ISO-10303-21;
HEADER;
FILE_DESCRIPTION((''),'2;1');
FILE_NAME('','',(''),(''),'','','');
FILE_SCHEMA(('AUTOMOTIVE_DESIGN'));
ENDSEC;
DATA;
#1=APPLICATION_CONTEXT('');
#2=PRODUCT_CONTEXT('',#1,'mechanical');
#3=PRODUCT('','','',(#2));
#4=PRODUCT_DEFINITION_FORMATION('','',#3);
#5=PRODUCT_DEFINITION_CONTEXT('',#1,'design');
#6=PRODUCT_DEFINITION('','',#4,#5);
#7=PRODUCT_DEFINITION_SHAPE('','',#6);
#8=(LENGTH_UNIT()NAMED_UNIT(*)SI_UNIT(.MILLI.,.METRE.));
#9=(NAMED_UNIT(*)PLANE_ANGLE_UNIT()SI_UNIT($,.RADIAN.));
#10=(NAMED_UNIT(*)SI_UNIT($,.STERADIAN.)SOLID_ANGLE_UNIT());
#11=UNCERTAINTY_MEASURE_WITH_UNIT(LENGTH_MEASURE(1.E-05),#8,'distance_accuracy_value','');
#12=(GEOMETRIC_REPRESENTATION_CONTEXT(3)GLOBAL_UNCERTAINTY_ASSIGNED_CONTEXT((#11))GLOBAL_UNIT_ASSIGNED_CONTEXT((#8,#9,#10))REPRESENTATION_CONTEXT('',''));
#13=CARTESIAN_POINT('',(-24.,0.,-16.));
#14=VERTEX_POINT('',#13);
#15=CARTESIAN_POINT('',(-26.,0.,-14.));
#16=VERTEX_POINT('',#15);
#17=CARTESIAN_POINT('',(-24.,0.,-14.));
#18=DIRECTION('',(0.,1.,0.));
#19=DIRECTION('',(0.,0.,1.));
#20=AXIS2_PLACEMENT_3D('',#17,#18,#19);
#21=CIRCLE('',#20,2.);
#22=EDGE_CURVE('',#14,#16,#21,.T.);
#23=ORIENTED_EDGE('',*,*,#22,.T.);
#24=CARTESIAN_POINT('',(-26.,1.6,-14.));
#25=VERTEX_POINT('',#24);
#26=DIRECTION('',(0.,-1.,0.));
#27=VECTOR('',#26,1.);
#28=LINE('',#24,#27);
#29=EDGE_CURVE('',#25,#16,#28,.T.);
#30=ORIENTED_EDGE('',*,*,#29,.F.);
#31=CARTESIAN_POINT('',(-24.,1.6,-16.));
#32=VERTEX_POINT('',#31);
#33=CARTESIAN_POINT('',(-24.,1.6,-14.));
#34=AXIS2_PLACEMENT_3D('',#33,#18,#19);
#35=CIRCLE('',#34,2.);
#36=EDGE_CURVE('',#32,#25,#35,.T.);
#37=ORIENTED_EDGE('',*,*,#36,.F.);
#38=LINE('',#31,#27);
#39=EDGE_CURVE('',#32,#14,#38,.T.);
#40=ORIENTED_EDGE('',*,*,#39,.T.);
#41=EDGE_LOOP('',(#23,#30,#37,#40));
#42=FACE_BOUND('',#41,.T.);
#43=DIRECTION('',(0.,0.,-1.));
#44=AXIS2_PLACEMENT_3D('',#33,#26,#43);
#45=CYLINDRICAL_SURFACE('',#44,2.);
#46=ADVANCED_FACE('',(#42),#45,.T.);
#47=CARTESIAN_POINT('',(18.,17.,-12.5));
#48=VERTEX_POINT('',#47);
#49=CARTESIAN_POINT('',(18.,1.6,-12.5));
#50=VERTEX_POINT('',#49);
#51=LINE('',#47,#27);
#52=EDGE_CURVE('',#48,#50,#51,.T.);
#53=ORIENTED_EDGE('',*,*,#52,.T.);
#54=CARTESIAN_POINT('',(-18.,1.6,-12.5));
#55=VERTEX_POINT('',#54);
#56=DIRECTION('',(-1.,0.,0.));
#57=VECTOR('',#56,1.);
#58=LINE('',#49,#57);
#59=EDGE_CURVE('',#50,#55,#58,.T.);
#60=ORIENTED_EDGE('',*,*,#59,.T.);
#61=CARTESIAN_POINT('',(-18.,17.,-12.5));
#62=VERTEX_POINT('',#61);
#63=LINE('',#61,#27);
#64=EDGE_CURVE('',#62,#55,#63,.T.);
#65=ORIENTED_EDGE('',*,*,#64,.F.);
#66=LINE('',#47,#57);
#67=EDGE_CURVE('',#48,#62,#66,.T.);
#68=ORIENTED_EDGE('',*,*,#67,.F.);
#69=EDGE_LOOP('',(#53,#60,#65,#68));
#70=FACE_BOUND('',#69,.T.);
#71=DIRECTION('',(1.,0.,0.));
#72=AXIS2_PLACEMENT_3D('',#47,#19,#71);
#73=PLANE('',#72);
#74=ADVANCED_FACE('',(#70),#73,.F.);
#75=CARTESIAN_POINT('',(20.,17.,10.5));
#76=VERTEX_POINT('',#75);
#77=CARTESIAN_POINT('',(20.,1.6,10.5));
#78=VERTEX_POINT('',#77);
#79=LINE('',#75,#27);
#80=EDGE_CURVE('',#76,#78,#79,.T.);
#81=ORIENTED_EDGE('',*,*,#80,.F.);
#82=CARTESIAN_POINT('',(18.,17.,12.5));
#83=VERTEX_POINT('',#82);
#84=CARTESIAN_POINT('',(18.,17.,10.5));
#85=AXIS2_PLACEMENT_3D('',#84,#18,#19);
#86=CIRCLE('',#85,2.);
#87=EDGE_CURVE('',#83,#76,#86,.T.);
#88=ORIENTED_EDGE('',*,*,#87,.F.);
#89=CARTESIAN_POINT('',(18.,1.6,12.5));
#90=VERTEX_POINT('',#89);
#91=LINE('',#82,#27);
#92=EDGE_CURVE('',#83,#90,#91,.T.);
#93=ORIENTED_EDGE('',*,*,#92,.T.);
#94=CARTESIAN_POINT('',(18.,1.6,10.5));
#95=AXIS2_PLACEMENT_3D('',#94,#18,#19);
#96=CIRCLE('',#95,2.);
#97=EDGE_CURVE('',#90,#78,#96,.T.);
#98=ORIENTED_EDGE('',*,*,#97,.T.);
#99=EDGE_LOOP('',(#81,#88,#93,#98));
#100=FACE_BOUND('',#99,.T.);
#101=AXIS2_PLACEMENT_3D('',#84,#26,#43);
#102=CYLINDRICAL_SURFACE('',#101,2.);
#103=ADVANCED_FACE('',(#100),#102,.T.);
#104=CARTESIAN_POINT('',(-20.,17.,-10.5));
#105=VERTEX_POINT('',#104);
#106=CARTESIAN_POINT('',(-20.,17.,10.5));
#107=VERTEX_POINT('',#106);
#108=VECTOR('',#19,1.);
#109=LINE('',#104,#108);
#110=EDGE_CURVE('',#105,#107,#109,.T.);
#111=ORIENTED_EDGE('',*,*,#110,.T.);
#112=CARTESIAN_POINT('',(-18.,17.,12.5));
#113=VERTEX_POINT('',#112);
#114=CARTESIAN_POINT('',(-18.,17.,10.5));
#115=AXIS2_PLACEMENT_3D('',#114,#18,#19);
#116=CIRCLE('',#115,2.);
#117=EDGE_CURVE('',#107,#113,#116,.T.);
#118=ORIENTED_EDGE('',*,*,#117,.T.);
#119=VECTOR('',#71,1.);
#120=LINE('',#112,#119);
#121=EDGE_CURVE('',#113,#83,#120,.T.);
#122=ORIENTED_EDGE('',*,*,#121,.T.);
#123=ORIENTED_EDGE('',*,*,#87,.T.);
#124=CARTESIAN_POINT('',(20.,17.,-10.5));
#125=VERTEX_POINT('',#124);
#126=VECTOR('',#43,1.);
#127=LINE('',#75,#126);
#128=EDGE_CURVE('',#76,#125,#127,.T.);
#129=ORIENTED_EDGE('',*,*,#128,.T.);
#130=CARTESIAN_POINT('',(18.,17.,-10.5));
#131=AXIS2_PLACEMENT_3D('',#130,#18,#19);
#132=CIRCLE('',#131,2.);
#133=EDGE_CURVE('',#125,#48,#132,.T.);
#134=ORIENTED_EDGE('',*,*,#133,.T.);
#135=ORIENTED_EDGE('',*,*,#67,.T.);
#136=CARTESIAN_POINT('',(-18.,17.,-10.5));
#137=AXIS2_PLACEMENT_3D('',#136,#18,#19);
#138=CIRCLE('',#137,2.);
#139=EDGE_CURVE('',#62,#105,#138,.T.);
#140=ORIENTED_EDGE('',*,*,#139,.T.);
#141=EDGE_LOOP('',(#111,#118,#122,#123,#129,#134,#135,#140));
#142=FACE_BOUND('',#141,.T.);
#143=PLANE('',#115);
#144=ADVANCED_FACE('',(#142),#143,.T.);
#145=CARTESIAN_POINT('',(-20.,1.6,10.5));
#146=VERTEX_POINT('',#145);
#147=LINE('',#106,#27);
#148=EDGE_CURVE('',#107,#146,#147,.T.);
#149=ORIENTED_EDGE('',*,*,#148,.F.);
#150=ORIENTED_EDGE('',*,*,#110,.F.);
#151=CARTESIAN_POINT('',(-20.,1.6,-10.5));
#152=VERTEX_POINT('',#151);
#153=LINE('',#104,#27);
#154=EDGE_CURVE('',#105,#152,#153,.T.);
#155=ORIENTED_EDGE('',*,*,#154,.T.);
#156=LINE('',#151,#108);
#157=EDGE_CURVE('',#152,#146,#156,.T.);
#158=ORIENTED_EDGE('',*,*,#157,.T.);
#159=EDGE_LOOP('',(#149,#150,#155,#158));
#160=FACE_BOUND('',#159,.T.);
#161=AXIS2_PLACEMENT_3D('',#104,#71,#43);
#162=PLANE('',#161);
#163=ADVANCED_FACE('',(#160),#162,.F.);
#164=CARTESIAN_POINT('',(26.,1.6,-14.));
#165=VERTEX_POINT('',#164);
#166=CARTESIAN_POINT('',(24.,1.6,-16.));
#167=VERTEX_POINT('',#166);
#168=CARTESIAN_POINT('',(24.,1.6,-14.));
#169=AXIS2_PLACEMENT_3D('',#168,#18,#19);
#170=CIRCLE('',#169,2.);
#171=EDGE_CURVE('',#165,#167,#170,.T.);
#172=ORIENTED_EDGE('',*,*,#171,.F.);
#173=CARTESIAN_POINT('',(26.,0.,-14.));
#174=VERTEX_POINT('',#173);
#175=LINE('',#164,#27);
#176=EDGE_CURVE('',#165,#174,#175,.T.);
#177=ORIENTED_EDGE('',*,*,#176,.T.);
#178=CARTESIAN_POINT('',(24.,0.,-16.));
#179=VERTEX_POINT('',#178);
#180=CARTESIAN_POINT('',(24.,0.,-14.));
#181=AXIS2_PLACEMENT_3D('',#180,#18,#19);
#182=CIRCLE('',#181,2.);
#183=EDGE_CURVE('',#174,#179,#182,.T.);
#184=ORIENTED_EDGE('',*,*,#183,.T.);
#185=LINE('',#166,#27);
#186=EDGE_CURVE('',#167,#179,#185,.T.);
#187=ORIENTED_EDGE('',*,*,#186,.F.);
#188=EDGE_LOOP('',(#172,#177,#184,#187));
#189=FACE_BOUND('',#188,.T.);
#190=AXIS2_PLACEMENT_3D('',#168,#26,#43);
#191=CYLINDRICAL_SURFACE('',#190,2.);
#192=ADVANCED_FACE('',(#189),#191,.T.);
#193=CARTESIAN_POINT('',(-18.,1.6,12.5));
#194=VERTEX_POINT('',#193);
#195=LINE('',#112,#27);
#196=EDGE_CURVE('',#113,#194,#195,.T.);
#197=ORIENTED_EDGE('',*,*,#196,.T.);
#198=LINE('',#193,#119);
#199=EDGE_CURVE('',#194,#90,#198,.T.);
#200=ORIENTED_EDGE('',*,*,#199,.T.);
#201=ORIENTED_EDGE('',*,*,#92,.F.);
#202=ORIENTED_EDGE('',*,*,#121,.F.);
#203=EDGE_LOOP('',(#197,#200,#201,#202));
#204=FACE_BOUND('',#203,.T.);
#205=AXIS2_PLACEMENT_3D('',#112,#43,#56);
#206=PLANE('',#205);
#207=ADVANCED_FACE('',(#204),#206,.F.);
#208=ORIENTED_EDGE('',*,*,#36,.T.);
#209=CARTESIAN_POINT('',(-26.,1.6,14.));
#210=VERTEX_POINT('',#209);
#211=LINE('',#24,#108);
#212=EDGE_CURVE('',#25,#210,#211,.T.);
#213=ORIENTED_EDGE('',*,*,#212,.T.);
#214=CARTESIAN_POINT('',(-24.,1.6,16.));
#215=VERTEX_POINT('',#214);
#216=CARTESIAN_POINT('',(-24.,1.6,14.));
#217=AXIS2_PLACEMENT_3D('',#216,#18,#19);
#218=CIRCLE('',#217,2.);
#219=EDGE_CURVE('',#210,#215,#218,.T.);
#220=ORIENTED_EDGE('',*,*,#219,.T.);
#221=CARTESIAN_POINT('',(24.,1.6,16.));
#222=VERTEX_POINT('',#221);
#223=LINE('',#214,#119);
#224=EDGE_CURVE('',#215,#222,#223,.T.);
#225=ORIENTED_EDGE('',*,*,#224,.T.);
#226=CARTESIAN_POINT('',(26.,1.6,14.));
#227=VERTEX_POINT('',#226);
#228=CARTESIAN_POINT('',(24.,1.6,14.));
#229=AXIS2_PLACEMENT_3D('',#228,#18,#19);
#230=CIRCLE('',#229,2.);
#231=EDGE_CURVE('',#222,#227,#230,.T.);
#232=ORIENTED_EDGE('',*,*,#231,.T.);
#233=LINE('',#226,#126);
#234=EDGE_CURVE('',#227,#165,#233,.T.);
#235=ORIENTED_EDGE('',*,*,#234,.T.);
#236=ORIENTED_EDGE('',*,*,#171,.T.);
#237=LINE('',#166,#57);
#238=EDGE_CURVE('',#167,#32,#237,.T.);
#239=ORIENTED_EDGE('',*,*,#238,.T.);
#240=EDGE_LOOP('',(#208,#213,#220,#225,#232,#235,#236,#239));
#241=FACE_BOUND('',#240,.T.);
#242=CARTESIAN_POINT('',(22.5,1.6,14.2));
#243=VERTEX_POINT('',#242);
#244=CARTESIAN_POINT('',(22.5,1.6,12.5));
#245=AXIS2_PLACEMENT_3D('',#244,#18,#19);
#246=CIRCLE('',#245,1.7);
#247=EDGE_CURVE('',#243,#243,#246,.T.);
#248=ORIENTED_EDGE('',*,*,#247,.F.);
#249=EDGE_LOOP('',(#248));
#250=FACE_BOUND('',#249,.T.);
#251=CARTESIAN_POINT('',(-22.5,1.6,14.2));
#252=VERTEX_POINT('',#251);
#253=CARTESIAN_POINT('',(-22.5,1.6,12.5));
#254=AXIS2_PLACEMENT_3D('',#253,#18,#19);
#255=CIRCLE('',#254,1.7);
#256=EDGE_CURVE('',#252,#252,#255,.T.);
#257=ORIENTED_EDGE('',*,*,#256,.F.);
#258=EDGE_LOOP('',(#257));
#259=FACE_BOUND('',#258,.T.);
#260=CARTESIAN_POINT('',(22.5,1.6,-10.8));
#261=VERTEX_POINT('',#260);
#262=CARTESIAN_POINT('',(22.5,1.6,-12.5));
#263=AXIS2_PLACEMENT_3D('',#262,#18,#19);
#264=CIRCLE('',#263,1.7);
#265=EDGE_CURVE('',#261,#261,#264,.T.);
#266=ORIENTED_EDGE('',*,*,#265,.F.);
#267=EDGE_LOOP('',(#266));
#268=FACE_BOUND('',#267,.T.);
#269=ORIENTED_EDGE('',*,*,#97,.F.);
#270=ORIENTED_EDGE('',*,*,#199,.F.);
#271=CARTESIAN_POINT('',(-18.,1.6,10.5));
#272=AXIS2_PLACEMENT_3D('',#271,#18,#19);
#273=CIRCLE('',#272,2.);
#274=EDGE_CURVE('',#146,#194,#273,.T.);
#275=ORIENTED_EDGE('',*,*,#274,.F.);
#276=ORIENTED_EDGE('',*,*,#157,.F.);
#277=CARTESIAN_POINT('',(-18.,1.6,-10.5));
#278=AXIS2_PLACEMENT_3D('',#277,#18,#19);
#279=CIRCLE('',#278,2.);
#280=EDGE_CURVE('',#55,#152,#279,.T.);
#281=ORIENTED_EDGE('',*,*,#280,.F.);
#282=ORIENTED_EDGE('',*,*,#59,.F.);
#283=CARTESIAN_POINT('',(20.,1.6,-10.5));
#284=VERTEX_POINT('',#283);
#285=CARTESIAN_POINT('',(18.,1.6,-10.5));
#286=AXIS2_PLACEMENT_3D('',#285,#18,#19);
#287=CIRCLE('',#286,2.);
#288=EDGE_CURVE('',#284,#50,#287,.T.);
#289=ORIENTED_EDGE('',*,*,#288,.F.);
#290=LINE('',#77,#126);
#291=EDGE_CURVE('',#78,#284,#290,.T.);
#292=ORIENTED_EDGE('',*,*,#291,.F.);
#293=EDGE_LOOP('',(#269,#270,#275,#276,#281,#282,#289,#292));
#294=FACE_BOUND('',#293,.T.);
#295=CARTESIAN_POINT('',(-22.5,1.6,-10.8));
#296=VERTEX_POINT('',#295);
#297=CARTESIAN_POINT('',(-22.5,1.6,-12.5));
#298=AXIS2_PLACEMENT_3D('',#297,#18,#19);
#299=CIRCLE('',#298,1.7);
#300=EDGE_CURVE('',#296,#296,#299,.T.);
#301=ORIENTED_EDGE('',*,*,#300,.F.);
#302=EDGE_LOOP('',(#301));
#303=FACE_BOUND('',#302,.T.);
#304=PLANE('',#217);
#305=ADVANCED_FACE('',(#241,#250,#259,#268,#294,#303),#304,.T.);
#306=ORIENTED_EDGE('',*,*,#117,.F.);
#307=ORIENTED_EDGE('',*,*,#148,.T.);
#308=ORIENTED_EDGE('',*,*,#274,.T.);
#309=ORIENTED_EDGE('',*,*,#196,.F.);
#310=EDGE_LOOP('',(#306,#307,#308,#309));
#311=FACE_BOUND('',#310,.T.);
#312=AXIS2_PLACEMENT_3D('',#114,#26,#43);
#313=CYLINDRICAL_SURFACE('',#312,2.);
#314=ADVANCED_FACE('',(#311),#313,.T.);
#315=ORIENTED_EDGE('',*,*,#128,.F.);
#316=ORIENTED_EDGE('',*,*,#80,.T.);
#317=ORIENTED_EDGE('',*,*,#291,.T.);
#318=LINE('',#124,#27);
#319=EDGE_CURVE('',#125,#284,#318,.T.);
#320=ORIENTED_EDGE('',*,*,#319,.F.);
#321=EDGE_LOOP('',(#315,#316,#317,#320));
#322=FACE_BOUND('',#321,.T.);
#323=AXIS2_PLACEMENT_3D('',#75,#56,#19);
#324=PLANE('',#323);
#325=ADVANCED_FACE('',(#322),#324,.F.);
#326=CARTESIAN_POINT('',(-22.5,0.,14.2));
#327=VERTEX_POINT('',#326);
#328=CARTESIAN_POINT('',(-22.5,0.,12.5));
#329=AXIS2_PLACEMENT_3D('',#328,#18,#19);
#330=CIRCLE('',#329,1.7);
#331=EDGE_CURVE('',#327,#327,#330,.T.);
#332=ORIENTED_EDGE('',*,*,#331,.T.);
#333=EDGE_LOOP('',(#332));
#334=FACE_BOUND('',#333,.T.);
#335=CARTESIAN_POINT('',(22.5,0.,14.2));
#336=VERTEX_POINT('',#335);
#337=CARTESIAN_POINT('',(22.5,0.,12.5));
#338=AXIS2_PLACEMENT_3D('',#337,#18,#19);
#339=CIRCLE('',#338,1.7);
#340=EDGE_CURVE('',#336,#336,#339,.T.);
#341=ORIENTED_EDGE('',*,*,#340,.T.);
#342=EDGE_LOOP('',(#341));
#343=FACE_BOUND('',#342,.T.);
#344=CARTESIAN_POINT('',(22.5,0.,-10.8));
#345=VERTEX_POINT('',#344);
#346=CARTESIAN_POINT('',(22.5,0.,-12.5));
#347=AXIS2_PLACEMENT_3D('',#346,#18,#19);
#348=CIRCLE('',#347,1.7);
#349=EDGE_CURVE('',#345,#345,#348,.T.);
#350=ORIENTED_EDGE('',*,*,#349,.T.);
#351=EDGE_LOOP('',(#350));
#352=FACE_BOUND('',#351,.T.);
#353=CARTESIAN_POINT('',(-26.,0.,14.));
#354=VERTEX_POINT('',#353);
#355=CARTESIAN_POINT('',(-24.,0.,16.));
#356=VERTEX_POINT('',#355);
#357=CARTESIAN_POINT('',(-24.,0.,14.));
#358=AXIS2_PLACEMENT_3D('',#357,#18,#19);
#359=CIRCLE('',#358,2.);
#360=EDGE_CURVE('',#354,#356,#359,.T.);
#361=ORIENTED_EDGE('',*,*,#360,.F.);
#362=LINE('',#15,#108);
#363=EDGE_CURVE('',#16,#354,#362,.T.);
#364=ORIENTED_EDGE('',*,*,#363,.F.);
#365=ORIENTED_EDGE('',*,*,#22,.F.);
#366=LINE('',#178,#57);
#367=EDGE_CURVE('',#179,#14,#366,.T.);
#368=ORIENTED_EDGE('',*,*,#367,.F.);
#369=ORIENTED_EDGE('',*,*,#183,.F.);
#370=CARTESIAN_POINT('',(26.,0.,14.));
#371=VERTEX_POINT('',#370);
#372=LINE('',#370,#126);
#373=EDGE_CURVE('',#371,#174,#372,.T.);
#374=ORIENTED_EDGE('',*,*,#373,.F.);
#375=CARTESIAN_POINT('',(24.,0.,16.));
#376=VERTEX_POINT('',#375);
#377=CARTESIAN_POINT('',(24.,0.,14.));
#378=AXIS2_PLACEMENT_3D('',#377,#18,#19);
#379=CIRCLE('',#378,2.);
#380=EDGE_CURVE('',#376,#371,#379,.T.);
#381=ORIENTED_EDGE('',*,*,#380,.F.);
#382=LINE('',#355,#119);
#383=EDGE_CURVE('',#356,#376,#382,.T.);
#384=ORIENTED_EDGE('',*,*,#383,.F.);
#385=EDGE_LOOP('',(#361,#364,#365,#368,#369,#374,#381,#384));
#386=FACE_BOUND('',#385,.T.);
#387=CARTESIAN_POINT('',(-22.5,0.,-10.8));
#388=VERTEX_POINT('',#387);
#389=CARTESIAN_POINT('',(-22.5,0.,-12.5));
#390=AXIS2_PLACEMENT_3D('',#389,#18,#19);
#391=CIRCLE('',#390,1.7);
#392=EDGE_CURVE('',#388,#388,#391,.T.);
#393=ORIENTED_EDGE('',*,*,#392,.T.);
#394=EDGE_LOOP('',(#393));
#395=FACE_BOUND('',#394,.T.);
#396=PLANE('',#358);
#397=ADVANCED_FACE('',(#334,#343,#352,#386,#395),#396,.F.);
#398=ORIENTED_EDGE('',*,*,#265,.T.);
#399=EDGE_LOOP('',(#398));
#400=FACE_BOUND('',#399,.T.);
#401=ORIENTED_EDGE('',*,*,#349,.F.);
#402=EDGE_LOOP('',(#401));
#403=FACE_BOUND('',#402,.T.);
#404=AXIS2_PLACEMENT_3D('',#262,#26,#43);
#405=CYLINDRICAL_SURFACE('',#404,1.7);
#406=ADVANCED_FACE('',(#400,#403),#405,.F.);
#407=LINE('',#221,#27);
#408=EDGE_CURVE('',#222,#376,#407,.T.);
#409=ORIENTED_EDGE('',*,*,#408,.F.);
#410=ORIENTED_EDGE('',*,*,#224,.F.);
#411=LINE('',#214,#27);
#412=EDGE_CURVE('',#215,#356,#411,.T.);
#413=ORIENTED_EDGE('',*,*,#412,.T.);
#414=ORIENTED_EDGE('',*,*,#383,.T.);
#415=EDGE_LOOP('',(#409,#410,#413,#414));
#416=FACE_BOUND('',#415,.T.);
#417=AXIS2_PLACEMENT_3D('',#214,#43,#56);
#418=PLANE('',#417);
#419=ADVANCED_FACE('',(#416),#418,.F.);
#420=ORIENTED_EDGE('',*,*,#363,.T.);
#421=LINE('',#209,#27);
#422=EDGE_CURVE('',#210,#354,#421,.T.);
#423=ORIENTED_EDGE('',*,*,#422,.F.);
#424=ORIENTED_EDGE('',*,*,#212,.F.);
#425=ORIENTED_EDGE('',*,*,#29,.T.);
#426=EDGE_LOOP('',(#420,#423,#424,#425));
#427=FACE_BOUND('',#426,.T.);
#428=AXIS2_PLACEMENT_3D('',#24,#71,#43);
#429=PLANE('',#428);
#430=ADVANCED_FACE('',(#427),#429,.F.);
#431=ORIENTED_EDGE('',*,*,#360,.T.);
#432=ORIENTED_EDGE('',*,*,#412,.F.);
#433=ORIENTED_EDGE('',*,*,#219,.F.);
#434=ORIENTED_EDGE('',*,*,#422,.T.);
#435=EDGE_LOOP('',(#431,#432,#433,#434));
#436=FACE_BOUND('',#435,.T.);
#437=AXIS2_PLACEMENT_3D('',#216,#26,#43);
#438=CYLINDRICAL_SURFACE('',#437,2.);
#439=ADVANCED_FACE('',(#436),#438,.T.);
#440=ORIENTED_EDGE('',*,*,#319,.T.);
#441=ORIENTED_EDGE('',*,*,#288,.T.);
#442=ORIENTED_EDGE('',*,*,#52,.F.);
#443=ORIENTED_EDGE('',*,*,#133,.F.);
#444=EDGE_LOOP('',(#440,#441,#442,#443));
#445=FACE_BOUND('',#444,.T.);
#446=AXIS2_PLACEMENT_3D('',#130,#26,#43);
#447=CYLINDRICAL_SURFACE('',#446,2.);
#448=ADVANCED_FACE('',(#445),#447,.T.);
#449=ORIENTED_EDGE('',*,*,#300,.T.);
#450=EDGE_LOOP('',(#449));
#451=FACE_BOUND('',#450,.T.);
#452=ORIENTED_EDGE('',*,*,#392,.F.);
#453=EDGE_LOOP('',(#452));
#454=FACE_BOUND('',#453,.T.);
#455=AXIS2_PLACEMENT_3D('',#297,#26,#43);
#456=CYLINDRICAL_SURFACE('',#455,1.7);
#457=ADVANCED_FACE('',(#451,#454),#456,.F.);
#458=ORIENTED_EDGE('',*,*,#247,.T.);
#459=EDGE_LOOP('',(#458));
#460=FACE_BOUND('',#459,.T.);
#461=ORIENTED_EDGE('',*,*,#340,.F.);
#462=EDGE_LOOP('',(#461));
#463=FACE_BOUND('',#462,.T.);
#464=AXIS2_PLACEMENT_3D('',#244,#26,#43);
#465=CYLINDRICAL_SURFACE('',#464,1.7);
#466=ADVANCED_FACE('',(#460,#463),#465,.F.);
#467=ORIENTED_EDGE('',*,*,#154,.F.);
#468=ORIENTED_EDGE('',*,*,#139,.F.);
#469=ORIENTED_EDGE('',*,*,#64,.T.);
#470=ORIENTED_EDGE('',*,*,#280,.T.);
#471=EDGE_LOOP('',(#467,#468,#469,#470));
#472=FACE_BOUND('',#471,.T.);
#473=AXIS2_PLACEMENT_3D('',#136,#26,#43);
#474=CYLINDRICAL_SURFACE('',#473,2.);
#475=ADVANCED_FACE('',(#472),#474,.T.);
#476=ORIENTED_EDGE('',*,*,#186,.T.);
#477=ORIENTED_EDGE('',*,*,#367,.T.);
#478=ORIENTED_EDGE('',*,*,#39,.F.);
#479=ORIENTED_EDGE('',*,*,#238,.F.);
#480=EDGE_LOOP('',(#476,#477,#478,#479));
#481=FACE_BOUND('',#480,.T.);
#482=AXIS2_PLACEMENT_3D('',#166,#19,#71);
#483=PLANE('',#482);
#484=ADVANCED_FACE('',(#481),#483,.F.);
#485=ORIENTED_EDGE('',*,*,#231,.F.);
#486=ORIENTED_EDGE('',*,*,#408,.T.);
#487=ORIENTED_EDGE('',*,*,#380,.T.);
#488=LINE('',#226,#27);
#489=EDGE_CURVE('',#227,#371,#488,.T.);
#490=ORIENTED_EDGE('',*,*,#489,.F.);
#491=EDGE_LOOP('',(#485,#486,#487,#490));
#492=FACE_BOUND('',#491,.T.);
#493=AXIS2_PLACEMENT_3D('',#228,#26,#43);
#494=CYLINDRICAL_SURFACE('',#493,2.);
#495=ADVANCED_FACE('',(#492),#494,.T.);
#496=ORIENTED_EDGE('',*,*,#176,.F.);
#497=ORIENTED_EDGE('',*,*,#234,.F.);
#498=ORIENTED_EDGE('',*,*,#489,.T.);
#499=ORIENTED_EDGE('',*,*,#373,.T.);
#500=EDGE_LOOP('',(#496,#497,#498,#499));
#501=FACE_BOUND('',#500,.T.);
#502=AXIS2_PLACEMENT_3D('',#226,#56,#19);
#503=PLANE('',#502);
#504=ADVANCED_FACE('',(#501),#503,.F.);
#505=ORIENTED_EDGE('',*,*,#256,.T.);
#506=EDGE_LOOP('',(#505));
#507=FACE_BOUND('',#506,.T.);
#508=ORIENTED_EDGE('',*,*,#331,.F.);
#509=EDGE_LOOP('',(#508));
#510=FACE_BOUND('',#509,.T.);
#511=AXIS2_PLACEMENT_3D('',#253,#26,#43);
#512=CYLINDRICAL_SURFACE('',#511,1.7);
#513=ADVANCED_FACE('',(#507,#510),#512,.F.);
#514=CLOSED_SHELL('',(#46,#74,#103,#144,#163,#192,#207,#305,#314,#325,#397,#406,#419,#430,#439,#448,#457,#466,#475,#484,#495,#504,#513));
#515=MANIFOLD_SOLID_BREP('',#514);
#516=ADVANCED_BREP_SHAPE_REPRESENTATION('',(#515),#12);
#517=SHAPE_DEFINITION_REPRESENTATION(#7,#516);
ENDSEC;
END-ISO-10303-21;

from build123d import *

# Parameters (mm, degrees)
BOSS_EXTRUDE1_DEPTH = 1.6
BOSS_EXTRUDE2_DEPTH = 15.4
SKETCH3_R           = 1.7
CUT_EXTRUDE1_DEPTH  = 1.6


with BuildPart() as part:
    # Sketch1 → Boss-Extrude1 (new body)
    with BuildSketch(Plane(origin=(0, 0, 0), x_dir=(1, 0, 0), z_dir=(0, 1, 0))):
        with BuildLine():
            Line((-24, -16), (24, -16))
            ThreePointArc((24, -16), (25.414213562, -15.414213562), (26, -14))
            Line((26, -14), (26, 14))
            ThreePointArc((26, 14), (25.414213562, 15.414213562), (24, 16))
            Line((24, 16), (-24, 16))
            ThreePointArc((-24, 16), (-25.414213562, 15.414213562), (-26, 14))
            Line((-26, 14), (-26, -14))
            ThreePointArc((-26, -14), (-25.414213562, -15.414213562), (-24, -16))
        make_face()
    extrude(amount=BOSS_EXTRUDE1_DEPTH)

    # Sketch2 → Boss-Extrude2 (add)
    with BuildSketch(Plane(origin=(0, 1.6, 0), x_dir=(1, 0, 0), z_dir=(0, 1, 0))):
        with BuildLine():
            Line((-18, -12.5), (18, -12.5))
            ThreePointArc((18, -12.5), (19.414213562, -11.914213562), (20, -10.5))
            Line((20, -10.5), (20, 10.5))
            ThreePointArc((20, 10.5), (19.414213562, 11.914213562), (18, 12.5))
            Line((18, 12.5), (-18, 12.5))
            ThreePointArc((-18, 12.5), (-19.414213562, 11.914213562), (-20, 10.5))
            Line((-20, 10.5), (-20, -10.5))
            ThreePointArc((-20, -10.5), (-19.414213562, -11.914213562), (-18, -12.5))
        make_face()
    extrude(amount=BOSS_EXTRUDE2_DEPTH)

    # Sketch3 → Cut-Extrude1 (cut)
    with BuildSketch(Plane(origin=(0, 0, 0), x_dir=(1, 0, 0), z_dir=(0, 1, 0))):
        with Locations(Location((22.5, -12.5, 0), (0, 0, 270))):
            Circle(SKETCH3_R)
        with Locations(Location((22.5, 12.5, 0), (0, 0, 270))):
            Circle(SKETCH3_R)
        with Locations(Location((-22.5, -12.5, 0), (0, 0, 270))):
            Circle(SKETCH3_R)
        with Locations(Location((-22.5, 12.5, 0), (0, 0, 270))):
            Circle(SKETCH3_R)
    extrude(amount=CUT_EXTRUDE1_DEPTH, mode=Mode.SUBTRACT)


solid = part.part
